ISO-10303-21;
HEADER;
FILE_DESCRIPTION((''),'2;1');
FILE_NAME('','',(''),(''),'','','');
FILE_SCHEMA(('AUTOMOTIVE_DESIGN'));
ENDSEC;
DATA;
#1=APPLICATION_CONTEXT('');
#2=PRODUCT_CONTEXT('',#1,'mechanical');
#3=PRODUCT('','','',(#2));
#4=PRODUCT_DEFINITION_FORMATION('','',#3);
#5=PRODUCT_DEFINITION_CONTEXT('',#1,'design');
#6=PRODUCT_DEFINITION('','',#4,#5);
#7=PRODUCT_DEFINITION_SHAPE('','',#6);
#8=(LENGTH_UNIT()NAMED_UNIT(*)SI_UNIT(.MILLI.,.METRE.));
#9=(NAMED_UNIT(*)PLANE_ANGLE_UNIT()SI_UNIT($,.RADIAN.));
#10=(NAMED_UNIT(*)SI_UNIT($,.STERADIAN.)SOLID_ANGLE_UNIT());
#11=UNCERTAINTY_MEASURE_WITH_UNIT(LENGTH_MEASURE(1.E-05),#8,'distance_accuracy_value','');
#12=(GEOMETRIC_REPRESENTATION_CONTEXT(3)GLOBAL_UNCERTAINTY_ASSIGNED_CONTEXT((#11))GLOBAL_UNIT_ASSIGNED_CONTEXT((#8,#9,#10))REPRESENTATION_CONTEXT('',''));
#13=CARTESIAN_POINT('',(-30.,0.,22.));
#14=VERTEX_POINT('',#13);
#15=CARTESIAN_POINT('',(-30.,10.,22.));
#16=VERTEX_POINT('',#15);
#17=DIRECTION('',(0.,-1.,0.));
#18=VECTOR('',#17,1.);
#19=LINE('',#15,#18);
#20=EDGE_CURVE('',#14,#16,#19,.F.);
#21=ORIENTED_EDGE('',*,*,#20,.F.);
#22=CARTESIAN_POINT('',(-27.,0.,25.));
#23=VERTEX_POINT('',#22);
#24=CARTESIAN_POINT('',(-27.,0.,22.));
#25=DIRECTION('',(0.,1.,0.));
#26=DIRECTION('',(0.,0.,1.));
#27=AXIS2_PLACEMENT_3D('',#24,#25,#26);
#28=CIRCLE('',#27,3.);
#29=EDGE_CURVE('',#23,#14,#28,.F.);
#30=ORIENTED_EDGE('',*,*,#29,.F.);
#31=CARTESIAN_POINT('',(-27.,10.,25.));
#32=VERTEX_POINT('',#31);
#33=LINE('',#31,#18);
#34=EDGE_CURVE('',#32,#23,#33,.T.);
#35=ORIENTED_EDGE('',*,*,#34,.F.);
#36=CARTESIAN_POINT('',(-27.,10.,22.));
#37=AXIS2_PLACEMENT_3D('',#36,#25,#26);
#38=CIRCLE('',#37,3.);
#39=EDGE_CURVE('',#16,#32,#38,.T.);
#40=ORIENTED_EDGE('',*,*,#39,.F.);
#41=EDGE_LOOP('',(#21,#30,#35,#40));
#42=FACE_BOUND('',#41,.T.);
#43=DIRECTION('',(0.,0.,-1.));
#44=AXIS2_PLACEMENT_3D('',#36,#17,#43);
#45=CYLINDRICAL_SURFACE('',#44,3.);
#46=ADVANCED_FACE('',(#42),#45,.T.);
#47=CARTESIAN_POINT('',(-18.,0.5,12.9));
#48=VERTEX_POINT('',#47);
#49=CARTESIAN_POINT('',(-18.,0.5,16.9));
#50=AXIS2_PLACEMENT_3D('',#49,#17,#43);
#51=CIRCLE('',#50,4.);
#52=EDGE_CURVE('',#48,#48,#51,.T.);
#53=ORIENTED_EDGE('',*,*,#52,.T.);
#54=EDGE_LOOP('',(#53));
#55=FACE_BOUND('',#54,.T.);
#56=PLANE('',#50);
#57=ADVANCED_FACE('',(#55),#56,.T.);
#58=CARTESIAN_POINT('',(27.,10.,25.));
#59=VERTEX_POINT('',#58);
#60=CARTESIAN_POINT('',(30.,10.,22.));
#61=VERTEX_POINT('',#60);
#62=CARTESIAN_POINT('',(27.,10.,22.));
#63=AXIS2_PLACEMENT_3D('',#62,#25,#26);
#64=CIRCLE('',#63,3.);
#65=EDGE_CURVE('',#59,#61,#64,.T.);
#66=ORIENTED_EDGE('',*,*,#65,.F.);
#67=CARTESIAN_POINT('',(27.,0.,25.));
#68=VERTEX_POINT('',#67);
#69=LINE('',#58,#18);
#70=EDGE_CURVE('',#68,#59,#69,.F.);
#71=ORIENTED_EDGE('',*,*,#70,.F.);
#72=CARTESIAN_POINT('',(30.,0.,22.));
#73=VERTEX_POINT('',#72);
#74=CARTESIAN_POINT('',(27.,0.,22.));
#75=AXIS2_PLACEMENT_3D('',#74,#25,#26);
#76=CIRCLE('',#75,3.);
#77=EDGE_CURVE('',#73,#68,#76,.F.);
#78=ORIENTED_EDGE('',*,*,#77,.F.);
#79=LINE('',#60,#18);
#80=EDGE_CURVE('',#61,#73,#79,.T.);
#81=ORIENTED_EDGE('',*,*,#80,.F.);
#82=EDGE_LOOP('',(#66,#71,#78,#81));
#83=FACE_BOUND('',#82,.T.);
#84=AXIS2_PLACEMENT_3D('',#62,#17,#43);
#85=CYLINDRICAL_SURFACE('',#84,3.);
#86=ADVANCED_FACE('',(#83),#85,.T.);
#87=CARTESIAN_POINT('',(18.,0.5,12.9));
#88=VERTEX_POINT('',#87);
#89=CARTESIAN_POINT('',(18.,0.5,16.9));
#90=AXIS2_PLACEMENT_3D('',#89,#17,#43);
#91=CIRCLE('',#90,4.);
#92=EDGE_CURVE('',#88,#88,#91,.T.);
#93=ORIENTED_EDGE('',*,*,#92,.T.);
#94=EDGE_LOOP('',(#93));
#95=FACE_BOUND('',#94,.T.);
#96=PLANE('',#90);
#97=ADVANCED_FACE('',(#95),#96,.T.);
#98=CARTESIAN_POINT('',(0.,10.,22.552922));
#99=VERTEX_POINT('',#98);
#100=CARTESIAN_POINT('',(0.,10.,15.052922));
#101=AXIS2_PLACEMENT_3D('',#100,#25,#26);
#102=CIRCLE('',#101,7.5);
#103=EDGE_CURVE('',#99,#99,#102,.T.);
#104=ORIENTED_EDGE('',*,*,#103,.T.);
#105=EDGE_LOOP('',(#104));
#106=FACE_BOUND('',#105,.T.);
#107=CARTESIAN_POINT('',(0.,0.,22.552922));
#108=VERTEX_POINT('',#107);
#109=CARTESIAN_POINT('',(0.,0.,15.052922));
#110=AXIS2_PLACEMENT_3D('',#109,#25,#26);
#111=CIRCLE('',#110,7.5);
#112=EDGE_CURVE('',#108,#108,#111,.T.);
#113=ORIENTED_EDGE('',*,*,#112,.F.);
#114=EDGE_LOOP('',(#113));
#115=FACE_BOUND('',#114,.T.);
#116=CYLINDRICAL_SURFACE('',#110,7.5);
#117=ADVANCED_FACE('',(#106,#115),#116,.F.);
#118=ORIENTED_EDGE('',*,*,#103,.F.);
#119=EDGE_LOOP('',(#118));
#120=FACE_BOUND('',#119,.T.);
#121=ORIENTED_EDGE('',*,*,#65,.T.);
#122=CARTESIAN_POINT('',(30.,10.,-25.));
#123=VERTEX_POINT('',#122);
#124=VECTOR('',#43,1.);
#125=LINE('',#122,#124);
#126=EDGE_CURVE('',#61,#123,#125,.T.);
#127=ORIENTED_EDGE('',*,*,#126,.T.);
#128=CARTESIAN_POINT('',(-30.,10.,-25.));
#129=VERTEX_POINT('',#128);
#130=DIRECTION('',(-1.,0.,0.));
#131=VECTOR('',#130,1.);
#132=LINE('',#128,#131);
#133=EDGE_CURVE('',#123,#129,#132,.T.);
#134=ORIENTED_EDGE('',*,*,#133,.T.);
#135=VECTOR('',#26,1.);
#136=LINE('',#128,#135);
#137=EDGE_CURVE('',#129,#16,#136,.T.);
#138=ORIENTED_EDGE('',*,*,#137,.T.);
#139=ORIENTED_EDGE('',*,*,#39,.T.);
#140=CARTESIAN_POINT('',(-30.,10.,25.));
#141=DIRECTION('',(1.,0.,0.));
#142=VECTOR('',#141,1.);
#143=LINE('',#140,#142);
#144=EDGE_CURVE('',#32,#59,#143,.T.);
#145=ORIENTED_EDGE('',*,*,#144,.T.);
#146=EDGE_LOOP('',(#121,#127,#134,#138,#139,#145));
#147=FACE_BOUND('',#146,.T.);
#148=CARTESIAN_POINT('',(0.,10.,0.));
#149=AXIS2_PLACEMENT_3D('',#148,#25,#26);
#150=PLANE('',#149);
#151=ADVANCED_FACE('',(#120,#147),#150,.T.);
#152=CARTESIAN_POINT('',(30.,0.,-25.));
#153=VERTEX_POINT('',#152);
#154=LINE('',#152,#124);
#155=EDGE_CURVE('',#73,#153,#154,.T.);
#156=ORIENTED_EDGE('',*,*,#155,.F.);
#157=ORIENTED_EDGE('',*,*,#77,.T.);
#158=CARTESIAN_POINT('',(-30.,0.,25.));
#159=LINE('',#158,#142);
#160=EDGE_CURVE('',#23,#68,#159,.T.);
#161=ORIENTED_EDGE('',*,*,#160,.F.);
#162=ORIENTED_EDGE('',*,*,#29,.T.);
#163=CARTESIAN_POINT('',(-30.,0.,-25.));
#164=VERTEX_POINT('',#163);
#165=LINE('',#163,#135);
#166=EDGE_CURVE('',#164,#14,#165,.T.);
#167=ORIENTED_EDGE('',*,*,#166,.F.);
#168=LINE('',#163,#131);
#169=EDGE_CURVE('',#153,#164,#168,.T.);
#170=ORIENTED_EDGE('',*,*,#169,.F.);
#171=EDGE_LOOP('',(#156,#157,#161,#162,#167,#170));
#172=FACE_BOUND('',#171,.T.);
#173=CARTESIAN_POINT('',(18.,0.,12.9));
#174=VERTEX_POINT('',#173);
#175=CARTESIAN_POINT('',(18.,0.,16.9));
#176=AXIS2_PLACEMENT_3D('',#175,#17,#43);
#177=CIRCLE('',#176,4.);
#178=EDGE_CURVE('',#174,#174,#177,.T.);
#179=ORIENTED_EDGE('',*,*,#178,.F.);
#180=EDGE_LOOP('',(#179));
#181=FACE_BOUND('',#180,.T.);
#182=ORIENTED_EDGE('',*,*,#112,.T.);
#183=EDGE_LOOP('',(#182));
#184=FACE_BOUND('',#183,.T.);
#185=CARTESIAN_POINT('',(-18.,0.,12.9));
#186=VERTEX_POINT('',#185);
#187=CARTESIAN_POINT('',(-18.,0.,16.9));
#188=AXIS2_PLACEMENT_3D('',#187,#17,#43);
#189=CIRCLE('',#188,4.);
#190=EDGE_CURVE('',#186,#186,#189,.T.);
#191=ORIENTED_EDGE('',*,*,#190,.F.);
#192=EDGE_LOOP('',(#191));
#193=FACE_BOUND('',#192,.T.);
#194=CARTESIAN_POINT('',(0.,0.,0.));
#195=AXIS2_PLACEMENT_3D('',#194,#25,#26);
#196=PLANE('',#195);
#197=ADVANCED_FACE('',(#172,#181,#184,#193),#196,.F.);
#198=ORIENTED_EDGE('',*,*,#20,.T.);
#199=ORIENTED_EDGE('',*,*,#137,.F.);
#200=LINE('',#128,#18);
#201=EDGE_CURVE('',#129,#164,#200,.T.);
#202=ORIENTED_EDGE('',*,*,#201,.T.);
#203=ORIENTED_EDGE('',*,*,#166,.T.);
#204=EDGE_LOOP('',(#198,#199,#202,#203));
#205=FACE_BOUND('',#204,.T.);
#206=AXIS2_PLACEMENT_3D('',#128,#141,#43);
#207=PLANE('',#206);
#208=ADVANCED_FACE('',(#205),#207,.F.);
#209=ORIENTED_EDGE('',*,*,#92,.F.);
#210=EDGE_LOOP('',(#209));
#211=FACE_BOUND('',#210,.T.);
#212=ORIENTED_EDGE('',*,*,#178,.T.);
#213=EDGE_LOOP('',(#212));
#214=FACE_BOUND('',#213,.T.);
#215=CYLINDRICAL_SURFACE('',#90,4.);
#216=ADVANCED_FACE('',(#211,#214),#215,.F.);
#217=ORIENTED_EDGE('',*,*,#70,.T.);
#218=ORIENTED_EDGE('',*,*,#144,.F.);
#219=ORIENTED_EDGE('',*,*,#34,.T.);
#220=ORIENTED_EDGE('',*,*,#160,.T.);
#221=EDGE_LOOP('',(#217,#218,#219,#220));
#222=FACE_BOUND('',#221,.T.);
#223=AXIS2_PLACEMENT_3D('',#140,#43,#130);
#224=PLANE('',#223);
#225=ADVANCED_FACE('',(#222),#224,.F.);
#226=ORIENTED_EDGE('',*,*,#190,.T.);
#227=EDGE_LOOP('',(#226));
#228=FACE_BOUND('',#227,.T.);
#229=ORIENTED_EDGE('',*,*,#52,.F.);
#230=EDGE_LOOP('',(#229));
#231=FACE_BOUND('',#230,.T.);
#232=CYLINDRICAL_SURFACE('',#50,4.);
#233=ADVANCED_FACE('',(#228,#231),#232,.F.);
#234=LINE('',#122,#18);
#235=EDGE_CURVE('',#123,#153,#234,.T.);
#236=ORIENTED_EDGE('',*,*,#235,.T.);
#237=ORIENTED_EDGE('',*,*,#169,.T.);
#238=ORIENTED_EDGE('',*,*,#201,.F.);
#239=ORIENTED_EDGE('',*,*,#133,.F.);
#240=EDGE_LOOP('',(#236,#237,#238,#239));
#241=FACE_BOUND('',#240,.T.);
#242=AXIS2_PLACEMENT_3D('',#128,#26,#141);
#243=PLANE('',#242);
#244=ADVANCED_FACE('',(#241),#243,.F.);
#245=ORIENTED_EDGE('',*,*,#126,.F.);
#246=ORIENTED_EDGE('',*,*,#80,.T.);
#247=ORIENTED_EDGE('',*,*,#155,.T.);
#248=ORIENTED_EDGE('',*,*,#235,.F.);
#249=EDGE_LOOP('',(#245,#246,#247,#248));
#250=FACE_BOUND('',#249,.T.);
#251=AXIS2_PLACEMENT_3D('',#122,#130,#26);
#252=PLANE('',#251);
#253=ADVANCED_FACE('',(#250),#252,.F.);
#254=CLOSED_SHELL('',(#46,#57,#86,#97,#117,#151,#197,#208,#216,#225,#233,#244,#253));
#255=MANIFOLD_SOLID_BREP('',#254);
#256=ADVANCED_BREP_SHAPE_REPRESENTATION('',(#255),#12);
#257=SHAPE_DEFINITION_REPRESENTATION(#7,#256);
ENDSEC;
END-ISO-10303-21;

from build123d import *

# Parameters (mm, degrees)
SKETCH_1_W          = 60
SKETCH_1_H          = 50
EXTRUDE_1_DEPTH     = 10
SKETCH_2_R          = 4
CUT_EXTRUDE_1_DEPTH = 0.5
FILLET_1_R          = 3
SKETCH_3_R          = 7.5
CUT_EXTRUDE_2_DEPTH = 41.311288741


with BuildPart() as part:
    # 草图1 → 凸台-拉伸1 (new body)
    with BuildSketch(Plane(origin=(0, 0, 0), x_dir=(1, 0, 0), z_dir=(0, 1, 0))):
        Rectangle(SKETCH_1_W, SKETCH_1_H)
    extrude(amount=EXTRUDE_1_DEPTH)

    # 草图2 → 切除-拉伸1 (cut)
    with BuildSketch(Plane.XZ):
        with Locations(Location((-18, 16.9, 0), (0, 0, 270))):
            Circle(SKETCH_2_R)
        with Locations(Location((18, 16.9, 0), (0, 0, 270))):
            Circle(SKETCH_2_R)
    extrude(amount=-CUT_EXTRUDE_1_DEPTH, mode=Mode.SUBTRACT)

    # 圆角1
    fillet_1_edges = [part.edges().sort_by_distance(p)[0] for p in [
        (30, 5, 25),
        (-30, 5, 25),
    ]]
    fillet(fillet_1_edges, radius=FILLET_1_R)

    # 草图3 → 切除-拉伸2 (cut, through all)
    with BuildSketch(Plane(origin=(0, 10, 0), x_dir=(1, 0, 0), z_dir=(0, 1, 0))):
        with Locations(Location((0, -15.052922201, 0), (0, 0, 270))):
            Circle(SKETCH_3_R)
    extrude(amount=-CUT_EXTRUDE_2_DEPTH, mode=Mode.SUBTRACT)


solid = part.part
